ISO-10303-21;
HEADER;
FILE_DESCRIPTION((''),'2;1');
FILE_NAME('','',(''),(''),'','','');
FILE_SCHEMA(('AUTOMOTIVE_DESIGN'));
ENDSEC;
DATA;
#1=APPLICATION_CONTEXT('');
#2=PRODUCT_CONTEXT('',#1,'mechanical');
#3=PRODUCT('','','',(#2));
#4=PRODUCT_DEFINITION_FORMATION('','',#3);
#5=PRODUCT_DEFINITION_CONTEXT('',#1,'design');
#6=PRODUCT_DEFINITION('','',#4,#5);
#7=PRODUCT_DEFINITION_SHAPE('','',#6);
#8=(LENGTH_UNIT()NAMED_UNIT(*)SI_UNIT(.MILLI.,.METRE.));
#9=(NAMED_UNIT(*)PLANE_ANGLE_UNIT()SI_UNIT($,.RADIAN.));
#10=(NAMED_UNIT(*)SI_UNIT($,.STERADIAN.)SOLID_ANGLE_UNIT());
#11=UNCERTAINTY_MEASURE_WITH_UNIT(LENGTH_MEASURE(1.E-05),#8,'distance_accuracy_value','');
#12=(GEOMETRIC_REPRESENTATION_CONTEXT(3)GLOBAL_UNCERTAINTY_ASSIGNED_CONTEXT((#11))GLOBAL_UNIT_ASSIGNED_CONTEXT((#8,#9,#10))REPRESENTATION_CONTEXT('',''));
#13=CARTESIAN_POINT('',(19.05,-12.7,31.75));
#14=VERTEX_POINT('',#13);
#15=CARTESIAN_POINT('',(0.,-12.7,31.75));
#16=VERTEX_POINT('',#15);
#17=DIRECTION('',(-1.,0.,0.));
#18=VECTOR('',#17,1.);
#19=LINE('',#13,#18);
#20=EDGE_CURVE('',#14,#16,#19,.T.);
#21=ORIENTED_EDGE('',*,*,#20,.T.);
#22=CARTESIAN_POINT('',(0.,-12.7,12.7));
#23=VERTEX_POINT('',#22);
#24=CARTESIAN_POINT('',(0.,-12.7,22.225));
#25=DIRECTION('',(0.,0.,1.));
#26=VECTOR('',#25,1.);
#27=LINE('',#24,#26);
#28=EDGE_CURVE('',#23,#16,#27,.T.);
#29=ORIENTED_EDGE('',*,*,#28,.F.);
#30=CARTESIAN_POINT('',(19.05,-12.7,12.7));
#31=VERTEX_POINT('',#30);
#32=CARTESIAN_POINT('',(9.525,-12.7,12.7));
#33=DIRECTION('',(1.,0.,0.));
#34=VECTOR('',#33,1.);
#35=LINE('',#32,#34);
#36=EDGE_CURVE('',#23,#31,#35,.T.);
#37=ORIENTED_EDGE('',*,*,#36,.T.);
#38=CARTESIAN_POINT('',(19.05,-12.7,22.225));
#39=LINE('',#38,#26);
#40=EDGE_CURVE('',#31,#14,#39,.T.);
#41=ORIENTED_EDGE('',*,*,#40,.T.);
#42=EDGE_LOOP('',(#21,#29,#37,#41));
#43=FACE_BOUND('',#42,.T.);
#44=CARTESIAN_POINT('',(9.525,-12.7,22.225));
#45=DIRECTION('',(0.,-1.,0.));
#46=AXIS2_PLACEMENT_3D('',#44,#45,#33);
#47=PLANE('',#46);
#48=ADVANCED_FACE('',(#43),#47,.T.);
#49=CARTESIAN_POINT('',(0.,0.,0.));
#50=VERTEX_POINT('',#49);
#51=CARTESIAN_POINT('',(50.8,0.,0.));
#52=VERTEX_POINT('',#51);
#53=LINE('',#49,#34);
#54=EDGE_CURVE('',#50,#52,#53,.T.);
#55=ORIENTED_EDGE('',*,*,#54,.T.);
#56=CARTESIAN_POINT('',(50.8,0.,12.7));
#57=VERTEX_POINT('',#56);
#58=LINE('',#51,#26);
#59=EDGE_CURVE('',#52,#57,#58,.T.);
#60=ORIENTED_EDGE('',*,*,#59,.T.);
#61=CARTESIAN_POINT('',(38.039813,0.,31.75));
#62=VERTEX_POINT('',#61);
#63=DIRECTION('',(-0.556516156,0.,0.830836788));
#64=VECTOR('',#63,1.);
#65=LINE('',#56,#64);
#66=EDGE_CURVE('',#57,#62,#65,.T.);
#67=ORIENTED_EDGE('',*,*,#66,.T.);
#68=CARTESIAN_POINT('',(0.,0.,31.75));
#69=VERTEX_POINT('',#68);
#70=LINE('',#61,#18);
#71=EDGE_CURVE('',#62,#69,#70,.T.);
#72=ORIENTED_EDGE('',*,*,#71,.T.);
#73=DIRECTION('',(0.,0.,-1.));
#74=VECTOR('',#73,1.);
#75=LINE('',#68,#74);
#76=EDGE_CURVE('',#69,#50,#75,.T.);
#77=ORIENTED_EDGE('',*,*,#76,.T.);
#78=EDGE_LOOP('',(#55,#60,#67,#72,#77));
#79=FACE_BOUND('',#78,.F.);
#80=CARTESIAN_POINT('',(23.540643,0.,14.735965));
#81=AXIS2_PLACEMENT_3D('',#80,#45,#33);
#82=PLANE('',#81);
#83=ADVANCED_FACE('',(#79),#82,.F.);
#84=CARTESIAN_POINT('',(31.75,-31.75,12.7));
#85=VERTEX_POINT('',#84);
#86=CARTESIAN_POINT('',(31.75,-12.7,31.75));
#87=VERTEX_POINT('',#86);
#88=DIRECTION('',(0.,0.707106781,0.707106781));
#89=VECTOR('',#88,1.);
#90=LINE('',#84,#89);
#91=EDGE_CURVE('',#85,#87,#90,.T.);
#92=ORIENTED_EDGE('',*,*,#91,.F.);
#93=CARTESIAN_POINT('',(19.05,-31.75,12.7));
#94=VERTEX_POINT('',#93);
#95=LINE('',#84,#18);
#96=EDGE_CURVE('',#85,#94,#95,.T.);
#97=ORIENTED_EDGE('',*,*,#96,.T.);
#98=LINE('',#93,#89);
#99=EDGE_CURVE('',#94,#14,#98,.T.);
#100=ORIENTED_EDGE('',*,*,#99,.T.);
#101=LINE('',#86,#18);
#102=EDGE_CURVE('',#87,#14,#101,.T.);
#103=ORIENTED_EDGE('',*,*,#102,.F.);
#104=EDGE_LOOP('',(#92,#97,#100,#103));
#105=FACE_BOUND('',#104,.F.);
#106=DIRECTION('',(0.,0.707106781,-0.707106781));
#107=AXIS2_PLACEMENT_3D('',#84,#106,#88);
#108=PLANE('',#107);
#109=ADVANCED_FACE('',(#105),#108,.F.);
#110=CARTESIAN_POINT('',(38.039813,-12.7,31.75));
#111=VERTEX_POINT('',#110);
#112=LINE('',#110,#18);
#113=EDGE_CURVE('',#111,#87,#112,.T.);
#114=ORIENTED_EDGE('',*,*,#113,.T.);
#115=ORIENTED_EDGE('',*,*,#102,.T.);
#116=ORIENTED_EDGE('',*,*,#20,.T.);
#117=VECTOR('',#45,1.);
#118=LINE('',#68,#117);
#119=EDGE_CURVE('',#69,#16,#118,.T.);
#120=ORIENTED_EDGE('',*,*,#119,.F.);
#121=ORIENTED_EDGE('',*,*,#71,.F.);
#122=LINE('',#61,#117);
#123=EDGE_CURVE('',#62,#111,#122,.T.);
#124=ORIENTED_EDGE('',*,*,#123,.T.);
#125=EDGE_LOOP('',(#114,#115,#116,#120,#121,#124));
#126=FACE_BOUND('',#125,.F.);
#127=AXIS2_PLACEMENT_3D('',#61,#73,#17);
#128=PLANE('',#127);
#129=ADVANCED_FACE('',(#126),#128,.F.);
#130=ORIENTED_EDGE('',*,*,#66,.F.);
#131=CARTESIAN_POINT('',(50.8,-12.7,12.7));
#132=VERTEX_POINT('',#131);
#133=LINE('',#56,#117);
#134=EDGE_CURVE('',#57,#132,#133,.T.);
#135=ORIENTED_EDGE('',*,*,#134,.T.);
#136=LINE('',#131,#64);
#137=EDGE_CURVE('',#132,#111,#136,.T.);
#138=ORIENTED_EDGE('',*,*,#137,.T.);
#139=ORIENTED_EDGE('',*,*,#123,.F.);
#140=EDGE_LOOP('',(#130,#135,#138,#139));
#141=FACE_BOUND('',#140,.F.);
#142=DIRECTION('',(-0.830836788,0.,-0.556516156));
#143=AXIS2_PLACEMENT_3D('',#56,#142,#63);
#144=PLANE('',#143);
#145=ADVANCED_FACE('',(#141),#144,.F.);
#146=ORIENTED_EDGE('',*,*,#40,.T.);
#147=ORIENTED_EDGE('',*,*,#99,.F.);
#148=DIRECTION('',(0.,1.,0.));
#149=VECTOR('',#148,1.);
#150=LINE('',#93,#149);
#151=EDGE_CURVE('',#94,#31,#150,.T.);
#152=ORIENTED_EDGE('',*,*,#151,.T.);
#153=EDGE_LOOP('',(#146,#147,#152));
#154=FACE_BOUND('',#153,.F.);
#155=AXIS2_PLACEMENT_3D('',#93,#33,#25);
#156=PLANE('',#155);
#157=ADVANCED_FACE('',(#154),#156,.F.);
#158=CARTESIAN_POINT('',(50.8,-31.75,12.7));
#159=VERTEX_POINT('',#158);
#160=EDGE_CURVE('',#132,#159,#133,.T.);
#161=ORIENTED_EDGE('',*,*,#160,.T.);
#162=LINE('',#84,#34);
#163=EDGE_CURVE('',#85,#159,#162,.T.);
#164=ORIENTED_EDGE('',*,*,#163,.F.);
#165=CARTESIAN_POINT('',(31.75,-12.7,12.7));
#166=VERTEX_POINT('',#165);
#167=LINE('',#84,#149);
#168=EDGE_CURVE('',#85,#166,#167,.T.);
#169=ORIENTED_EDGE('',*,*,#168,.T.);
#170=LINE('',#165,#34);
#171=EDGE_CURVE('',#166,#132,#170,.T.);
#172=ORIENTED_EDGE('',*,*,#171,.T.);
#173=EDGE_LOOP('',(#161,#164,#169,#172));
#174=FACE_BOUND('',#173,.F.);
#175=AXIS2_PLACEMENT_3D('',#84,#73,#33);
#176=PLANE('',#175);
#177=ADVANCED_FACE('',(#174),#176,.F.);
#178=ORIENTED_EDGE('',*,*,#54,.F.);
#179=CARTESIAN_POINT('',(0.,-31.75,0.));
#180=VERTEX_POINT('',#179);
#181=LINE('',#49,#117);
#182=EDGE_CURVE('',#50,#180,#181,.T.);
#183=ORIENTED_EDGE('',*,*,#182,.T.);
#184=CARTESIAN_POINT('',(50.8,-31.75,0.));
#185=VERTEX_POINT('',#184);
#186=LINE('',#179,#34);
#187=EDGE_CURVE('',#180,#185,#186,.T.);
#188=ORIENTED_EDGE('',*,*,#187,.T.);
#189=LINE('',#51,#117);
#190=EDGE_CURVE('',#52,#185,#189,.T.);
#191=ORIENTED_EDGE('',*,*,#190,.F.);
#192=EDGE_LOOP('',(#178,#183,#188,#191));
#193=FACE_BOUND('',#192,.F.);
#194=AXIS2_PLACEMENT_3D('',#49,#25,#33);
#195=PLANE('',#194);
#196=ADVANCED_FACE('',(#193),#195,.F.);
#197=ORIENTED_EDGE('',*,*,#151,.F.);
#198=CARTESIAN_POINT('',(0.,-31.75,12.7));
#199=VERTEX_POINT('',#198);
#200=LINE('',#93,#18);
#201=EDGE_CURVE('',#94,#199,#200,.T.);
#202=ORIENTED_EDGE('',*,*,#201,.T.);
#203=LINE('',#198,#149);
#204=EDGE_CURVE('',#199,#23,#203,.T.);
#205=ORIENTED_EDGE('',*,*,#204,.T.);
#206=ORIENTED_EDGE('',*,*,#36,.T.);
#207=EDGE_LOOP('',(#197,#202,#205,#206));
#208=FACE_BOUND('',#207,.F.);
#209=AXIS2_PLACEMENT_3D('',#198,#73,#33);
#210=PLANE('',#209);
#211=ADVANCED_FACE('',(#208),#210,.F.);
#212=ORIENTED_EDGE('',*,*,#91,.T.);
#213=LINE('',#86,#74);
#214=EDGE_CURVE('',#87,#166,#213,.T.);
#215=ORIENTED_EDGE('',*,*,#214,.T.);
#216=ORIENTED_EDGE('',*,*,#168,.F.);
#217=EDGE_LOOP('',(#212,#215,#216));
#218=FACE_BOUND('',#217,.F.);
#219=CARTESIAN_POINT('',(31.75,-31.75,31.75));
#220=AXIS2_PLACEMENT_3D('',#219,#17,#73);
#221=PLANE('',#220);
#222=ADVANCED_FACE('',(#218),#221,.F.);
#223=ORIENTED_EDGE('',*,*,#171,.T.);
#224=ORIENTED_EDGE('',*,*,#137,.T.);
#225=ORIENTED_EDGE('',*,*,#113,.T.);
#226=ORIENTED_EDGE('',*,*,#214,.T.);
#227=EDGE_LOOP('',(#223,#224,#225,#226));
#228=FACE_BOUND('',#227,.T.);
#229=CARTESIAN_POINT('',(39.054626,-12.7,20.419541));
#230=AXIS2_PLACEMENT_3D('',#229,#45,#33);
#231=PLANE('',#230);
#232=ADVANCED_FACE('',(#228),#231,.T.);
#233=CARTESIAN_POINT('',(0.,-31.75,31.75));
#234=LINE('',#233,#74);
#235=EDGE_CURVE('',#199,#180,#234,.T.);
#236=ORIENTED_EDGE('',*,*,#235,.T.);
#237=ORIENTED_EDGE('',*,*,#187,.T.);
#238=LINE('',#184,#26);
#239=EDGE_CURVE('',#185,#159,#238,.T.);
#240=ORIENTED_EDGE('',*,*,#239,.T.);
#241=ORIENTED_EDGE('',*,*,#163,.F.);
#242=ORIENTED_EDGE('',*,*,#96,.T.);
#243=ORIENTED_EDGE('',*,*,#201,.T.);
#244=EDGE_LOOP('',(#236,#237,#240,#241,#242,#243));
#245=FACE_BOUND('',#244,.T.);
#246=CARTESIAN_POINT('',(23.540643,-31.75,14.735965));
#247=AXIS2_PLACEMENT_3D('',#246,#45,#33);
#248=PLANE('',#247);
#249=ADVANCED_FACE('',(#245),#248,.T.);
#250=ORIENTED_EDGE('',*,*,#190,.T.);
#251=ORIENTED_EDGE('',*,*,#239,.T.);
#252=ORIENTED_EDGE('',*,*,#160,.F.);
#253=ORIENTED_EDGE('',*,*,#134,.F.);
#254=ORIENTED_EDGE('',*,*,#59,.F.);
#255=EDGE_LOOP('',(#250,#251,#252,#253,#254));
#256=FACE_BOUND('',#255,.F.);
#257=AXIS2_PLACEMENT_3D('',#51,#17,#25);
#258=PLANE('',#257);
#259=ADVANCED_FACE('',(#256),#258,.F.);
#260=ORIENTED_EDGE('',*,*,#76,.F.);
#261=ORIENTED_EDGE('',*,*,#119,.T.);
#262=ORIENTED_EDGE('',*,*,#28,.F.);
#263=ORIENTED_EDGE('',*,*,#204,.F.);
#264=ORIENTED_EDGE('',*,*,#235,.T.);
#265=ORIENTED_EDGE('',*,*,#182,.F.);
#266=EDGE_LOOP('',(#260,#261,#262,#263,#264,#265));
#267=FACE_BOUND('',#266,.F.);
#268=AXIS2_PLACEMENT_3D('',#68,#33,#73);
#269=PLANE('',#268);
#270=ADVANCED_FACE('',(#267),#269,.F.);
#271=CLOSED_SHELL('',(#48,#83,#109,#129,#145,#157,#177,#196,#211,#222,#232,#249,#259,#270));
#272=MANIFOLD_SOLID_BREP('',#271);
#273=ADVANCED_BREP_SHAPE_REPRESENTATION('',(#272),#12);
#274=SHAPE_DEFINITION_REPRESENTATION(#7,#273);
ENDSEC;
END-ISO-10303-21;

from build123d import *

# Parameters (mm, degrees)
F1_DEPTH = 31.75
F2_W     = 19.05
F2_H     = 19.05
F3_DEPTH = 19.05
F5_DEPTH = 19.05
F7_DEPTH = 25.4


with BuildPart() as f1:
    # F0 (on Front) → F1 (new body)
    with BuildSketch(Plane.XZ):
        Polygon((0, 31.75), (0, 0), (50.8, 0), (50.8, 12.7), (38.039813, 31.75), align=None)
    extrude(amount=F1_DEPTH)

    # F2 (on face) → F3 (cut)
    with BuildSketch(Plane.XZ.offset(31.75)):
        with Locations((9.525, 22.225)):
            Rectangle(F2_W, F2_H)
    extrude(amount=-F3_DEPTH, mode=Mode.SUBTRACT)

    # F4 (on face) → F5 (cut)
    with BuildSketch(Plane.XZ.offset(31.75)):
        Polygon((31.75, 12.7), (50.8, 12.7), (38.039813, 31.75), (31.75, 31.75), align=None)
    extrude(amount=-F5_DEPTH, mode=Mode.SUBTRACT)

    # F6 (on face) → F7 (cut)
    with BuildSketch(Plane.YZ.offset(31.75)):
        Polygon((-31.75, 12.7), (-12.7, 31.75), (-31.75, 31.75), align=None)
    extrude(amount=-F7_DEPTH, mode=Mode.SUBTRACT)


solid = f1.part
